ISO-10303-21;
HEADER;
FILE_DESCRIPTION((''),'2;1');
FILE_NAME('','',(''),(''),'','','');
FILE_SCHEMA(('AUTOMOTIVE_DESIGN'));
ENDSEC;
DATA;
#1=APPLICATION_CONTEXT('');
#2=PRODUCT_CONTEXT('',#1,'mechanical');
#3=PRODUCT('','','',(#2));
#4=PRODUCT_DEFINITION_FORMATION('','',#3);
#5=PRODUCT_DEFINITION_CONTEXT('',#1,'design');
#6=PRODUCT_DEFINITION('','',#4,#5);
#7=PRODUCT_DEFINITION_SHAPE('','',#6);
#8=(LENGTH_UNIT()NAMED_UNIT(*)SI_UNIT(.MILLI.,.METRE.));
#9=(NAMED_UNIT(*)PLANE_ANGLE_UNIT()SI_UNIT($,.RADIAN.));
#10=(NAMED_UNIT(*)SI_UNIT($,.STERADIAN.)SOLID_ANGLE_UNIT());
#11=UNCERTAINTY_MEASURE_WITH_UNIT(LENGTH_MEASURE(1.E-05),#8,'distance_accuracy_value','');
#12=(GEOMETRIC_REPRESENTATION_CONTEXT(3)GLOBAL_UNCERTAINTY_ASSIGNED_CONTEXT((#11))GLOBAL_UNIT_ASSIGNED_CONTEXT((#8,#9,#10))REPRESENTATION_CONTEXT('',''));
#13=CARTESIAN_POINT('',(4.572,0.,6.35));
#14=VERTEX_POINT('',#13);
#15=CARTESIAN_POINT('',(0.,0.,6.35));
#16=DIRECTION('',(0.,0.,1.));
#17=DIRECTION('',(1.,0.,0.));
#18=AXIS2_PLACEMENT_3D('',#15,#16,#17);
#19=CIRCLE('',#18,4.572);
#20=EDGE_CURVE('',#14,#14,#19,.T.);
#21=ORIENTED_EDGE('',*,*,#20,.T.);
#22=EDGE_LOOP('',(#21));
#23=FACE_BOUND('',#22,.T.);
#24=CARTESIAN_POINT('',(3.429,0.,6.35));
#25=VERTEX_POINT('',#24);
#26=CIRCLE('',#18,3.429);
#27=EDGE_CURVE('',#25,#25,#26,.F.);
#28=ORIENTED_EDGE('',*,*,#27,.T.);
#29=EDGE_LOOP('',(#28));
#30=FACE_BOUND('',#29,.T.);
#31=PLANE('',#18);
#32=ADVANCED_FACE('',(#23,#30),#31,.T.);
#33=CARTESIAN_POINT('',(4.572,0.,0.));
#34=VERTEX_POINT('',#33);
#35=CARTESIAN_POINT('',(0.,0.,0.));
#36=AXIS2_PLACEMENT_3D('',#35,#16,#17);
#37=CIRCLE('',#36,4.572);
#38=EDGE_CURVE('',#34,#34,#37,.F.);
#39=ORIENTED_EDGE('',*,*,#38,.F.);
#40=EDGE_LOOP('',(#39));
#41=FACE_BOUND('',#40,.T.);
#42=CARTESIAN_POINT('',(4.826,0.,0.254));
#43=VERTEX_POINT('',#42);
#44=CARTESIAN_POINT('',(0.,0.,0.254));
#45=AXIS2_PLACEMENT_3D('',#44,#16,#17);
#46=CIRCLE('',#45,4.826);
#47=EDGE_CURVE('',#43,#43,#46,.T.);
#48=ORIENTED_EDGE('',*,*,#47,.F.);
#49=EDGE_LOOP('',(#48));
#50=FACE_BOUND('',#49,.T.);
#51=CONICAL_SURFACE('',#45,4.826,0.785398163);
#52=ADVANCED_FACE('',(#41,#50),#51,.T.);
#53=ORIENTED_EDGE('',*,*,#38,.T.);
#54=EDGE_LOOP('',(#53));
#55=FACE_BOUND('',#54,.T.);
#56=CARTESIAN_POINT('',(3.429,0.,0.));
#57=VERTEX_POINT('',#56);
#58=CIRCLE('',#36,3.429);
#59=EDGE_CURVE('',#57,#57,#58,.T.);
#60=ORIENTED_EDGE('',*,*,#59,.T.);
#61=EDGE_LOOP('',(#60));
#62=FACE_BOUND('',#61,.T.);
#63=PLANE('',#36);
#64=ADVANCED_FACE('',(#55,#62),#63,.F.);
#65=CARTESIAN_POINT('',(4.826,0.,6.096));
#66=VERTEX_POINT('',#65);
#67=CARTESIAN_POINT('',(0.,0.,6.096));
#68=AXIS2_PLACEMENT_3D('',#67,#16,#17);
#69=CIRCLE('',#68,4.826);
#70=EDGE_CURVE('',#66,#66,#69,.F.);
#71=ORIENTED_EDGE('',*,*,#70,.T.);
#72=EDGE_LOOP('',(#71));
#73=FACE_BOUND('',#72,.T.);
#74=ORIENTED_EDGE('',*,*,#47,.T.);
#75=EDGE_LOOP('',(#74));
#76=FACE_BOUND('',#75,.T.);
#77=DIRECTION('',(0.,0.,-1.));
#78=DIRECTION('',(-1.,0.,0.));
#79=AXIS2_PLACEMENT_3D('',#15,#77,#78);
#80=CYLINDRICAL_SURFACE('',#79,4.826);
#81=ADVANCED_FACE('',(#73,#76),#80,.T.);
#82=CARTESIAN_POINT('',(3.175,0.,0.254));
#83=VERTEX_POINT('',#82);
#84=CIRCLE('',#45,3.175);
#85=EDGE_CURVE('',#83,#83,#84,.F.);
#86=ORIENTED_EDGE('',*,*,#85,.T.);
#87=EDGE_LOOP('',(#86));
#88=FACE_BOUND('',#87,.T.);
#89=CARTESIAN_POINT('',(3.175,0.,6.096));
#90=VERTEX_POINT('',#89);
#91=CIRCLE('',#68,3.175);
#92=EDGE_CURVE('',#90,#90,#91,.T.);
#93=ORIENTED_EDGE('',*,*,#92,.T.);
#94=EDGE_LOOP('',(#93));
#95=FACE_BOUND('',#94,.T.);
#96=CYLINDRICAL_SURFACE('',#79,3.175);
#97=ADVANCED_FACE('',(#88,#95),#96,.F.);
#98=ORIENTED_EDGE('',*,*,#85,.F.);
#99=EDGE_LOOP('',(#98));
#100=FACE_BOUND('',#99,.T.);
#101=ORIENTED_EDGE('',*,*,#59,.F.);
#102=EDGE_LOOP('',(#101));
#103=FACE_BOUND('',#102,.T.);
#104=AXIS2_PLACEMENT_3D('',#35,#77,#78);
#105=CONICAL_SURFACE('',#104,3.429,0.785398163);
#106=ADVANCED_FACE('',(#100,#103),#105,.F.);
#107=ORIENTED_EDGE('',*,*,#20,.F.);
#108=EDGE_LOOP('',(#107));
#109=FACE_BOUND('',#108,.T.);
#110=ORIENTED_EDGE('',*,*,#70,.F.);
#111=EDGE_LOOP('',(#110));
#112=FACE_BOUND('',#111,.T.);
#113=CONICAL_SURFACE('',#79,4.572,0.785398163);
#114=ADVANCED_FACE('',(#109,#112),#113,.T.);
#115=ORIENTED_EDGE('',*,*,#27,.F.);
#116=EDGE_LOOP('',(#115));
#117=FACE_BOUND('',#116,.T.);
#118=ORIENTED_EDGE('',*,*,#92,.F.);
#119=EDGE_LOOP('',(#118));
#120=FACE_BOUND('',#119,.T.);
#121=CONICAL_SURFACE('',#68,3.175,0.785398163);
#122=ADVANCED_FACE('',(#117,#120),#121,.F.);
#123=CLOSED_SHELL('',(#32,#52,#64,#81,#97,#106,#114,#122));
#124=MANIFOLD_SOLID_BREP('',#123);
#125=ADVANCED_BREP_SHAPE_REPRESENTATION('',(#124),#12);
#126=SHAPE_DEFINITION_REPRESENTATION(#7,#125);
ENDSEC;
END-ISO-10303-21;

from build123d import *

# Parameters (mm, degrees)
SKETCH1_R           = 4.826
SKETCH1_R_2         = 3.175
BOSS_EXTRUDE1_DEPTH = 6.35
CHAMFER1_SIZE       = 0.254


with BuildPart() as part:
    # Sketch1 → Boss-Extrude1 (new body)
    with BuildSketch(Plane.XY):
        Circle(SKETCH1_R)
        Circle(SKETCH1_R_2, mode=Mode.SUBTRACT)
    extrude(amount=BOSS_EXTRUDE1_DEPTH)

    # Chamfer1
    chamfer1_edges = [part.edges().sort_by_distance(p)[0] for p in [
        (-4.826, 0, 0),
        (-4.826, 0, 6.35),
        (-3.175, 0, 0),
        (-3.175, 0, 6.35),
    ]]
    chamfer(chamfer1_edges, length=CHAMFER1_SIZE)


solid = part.part
